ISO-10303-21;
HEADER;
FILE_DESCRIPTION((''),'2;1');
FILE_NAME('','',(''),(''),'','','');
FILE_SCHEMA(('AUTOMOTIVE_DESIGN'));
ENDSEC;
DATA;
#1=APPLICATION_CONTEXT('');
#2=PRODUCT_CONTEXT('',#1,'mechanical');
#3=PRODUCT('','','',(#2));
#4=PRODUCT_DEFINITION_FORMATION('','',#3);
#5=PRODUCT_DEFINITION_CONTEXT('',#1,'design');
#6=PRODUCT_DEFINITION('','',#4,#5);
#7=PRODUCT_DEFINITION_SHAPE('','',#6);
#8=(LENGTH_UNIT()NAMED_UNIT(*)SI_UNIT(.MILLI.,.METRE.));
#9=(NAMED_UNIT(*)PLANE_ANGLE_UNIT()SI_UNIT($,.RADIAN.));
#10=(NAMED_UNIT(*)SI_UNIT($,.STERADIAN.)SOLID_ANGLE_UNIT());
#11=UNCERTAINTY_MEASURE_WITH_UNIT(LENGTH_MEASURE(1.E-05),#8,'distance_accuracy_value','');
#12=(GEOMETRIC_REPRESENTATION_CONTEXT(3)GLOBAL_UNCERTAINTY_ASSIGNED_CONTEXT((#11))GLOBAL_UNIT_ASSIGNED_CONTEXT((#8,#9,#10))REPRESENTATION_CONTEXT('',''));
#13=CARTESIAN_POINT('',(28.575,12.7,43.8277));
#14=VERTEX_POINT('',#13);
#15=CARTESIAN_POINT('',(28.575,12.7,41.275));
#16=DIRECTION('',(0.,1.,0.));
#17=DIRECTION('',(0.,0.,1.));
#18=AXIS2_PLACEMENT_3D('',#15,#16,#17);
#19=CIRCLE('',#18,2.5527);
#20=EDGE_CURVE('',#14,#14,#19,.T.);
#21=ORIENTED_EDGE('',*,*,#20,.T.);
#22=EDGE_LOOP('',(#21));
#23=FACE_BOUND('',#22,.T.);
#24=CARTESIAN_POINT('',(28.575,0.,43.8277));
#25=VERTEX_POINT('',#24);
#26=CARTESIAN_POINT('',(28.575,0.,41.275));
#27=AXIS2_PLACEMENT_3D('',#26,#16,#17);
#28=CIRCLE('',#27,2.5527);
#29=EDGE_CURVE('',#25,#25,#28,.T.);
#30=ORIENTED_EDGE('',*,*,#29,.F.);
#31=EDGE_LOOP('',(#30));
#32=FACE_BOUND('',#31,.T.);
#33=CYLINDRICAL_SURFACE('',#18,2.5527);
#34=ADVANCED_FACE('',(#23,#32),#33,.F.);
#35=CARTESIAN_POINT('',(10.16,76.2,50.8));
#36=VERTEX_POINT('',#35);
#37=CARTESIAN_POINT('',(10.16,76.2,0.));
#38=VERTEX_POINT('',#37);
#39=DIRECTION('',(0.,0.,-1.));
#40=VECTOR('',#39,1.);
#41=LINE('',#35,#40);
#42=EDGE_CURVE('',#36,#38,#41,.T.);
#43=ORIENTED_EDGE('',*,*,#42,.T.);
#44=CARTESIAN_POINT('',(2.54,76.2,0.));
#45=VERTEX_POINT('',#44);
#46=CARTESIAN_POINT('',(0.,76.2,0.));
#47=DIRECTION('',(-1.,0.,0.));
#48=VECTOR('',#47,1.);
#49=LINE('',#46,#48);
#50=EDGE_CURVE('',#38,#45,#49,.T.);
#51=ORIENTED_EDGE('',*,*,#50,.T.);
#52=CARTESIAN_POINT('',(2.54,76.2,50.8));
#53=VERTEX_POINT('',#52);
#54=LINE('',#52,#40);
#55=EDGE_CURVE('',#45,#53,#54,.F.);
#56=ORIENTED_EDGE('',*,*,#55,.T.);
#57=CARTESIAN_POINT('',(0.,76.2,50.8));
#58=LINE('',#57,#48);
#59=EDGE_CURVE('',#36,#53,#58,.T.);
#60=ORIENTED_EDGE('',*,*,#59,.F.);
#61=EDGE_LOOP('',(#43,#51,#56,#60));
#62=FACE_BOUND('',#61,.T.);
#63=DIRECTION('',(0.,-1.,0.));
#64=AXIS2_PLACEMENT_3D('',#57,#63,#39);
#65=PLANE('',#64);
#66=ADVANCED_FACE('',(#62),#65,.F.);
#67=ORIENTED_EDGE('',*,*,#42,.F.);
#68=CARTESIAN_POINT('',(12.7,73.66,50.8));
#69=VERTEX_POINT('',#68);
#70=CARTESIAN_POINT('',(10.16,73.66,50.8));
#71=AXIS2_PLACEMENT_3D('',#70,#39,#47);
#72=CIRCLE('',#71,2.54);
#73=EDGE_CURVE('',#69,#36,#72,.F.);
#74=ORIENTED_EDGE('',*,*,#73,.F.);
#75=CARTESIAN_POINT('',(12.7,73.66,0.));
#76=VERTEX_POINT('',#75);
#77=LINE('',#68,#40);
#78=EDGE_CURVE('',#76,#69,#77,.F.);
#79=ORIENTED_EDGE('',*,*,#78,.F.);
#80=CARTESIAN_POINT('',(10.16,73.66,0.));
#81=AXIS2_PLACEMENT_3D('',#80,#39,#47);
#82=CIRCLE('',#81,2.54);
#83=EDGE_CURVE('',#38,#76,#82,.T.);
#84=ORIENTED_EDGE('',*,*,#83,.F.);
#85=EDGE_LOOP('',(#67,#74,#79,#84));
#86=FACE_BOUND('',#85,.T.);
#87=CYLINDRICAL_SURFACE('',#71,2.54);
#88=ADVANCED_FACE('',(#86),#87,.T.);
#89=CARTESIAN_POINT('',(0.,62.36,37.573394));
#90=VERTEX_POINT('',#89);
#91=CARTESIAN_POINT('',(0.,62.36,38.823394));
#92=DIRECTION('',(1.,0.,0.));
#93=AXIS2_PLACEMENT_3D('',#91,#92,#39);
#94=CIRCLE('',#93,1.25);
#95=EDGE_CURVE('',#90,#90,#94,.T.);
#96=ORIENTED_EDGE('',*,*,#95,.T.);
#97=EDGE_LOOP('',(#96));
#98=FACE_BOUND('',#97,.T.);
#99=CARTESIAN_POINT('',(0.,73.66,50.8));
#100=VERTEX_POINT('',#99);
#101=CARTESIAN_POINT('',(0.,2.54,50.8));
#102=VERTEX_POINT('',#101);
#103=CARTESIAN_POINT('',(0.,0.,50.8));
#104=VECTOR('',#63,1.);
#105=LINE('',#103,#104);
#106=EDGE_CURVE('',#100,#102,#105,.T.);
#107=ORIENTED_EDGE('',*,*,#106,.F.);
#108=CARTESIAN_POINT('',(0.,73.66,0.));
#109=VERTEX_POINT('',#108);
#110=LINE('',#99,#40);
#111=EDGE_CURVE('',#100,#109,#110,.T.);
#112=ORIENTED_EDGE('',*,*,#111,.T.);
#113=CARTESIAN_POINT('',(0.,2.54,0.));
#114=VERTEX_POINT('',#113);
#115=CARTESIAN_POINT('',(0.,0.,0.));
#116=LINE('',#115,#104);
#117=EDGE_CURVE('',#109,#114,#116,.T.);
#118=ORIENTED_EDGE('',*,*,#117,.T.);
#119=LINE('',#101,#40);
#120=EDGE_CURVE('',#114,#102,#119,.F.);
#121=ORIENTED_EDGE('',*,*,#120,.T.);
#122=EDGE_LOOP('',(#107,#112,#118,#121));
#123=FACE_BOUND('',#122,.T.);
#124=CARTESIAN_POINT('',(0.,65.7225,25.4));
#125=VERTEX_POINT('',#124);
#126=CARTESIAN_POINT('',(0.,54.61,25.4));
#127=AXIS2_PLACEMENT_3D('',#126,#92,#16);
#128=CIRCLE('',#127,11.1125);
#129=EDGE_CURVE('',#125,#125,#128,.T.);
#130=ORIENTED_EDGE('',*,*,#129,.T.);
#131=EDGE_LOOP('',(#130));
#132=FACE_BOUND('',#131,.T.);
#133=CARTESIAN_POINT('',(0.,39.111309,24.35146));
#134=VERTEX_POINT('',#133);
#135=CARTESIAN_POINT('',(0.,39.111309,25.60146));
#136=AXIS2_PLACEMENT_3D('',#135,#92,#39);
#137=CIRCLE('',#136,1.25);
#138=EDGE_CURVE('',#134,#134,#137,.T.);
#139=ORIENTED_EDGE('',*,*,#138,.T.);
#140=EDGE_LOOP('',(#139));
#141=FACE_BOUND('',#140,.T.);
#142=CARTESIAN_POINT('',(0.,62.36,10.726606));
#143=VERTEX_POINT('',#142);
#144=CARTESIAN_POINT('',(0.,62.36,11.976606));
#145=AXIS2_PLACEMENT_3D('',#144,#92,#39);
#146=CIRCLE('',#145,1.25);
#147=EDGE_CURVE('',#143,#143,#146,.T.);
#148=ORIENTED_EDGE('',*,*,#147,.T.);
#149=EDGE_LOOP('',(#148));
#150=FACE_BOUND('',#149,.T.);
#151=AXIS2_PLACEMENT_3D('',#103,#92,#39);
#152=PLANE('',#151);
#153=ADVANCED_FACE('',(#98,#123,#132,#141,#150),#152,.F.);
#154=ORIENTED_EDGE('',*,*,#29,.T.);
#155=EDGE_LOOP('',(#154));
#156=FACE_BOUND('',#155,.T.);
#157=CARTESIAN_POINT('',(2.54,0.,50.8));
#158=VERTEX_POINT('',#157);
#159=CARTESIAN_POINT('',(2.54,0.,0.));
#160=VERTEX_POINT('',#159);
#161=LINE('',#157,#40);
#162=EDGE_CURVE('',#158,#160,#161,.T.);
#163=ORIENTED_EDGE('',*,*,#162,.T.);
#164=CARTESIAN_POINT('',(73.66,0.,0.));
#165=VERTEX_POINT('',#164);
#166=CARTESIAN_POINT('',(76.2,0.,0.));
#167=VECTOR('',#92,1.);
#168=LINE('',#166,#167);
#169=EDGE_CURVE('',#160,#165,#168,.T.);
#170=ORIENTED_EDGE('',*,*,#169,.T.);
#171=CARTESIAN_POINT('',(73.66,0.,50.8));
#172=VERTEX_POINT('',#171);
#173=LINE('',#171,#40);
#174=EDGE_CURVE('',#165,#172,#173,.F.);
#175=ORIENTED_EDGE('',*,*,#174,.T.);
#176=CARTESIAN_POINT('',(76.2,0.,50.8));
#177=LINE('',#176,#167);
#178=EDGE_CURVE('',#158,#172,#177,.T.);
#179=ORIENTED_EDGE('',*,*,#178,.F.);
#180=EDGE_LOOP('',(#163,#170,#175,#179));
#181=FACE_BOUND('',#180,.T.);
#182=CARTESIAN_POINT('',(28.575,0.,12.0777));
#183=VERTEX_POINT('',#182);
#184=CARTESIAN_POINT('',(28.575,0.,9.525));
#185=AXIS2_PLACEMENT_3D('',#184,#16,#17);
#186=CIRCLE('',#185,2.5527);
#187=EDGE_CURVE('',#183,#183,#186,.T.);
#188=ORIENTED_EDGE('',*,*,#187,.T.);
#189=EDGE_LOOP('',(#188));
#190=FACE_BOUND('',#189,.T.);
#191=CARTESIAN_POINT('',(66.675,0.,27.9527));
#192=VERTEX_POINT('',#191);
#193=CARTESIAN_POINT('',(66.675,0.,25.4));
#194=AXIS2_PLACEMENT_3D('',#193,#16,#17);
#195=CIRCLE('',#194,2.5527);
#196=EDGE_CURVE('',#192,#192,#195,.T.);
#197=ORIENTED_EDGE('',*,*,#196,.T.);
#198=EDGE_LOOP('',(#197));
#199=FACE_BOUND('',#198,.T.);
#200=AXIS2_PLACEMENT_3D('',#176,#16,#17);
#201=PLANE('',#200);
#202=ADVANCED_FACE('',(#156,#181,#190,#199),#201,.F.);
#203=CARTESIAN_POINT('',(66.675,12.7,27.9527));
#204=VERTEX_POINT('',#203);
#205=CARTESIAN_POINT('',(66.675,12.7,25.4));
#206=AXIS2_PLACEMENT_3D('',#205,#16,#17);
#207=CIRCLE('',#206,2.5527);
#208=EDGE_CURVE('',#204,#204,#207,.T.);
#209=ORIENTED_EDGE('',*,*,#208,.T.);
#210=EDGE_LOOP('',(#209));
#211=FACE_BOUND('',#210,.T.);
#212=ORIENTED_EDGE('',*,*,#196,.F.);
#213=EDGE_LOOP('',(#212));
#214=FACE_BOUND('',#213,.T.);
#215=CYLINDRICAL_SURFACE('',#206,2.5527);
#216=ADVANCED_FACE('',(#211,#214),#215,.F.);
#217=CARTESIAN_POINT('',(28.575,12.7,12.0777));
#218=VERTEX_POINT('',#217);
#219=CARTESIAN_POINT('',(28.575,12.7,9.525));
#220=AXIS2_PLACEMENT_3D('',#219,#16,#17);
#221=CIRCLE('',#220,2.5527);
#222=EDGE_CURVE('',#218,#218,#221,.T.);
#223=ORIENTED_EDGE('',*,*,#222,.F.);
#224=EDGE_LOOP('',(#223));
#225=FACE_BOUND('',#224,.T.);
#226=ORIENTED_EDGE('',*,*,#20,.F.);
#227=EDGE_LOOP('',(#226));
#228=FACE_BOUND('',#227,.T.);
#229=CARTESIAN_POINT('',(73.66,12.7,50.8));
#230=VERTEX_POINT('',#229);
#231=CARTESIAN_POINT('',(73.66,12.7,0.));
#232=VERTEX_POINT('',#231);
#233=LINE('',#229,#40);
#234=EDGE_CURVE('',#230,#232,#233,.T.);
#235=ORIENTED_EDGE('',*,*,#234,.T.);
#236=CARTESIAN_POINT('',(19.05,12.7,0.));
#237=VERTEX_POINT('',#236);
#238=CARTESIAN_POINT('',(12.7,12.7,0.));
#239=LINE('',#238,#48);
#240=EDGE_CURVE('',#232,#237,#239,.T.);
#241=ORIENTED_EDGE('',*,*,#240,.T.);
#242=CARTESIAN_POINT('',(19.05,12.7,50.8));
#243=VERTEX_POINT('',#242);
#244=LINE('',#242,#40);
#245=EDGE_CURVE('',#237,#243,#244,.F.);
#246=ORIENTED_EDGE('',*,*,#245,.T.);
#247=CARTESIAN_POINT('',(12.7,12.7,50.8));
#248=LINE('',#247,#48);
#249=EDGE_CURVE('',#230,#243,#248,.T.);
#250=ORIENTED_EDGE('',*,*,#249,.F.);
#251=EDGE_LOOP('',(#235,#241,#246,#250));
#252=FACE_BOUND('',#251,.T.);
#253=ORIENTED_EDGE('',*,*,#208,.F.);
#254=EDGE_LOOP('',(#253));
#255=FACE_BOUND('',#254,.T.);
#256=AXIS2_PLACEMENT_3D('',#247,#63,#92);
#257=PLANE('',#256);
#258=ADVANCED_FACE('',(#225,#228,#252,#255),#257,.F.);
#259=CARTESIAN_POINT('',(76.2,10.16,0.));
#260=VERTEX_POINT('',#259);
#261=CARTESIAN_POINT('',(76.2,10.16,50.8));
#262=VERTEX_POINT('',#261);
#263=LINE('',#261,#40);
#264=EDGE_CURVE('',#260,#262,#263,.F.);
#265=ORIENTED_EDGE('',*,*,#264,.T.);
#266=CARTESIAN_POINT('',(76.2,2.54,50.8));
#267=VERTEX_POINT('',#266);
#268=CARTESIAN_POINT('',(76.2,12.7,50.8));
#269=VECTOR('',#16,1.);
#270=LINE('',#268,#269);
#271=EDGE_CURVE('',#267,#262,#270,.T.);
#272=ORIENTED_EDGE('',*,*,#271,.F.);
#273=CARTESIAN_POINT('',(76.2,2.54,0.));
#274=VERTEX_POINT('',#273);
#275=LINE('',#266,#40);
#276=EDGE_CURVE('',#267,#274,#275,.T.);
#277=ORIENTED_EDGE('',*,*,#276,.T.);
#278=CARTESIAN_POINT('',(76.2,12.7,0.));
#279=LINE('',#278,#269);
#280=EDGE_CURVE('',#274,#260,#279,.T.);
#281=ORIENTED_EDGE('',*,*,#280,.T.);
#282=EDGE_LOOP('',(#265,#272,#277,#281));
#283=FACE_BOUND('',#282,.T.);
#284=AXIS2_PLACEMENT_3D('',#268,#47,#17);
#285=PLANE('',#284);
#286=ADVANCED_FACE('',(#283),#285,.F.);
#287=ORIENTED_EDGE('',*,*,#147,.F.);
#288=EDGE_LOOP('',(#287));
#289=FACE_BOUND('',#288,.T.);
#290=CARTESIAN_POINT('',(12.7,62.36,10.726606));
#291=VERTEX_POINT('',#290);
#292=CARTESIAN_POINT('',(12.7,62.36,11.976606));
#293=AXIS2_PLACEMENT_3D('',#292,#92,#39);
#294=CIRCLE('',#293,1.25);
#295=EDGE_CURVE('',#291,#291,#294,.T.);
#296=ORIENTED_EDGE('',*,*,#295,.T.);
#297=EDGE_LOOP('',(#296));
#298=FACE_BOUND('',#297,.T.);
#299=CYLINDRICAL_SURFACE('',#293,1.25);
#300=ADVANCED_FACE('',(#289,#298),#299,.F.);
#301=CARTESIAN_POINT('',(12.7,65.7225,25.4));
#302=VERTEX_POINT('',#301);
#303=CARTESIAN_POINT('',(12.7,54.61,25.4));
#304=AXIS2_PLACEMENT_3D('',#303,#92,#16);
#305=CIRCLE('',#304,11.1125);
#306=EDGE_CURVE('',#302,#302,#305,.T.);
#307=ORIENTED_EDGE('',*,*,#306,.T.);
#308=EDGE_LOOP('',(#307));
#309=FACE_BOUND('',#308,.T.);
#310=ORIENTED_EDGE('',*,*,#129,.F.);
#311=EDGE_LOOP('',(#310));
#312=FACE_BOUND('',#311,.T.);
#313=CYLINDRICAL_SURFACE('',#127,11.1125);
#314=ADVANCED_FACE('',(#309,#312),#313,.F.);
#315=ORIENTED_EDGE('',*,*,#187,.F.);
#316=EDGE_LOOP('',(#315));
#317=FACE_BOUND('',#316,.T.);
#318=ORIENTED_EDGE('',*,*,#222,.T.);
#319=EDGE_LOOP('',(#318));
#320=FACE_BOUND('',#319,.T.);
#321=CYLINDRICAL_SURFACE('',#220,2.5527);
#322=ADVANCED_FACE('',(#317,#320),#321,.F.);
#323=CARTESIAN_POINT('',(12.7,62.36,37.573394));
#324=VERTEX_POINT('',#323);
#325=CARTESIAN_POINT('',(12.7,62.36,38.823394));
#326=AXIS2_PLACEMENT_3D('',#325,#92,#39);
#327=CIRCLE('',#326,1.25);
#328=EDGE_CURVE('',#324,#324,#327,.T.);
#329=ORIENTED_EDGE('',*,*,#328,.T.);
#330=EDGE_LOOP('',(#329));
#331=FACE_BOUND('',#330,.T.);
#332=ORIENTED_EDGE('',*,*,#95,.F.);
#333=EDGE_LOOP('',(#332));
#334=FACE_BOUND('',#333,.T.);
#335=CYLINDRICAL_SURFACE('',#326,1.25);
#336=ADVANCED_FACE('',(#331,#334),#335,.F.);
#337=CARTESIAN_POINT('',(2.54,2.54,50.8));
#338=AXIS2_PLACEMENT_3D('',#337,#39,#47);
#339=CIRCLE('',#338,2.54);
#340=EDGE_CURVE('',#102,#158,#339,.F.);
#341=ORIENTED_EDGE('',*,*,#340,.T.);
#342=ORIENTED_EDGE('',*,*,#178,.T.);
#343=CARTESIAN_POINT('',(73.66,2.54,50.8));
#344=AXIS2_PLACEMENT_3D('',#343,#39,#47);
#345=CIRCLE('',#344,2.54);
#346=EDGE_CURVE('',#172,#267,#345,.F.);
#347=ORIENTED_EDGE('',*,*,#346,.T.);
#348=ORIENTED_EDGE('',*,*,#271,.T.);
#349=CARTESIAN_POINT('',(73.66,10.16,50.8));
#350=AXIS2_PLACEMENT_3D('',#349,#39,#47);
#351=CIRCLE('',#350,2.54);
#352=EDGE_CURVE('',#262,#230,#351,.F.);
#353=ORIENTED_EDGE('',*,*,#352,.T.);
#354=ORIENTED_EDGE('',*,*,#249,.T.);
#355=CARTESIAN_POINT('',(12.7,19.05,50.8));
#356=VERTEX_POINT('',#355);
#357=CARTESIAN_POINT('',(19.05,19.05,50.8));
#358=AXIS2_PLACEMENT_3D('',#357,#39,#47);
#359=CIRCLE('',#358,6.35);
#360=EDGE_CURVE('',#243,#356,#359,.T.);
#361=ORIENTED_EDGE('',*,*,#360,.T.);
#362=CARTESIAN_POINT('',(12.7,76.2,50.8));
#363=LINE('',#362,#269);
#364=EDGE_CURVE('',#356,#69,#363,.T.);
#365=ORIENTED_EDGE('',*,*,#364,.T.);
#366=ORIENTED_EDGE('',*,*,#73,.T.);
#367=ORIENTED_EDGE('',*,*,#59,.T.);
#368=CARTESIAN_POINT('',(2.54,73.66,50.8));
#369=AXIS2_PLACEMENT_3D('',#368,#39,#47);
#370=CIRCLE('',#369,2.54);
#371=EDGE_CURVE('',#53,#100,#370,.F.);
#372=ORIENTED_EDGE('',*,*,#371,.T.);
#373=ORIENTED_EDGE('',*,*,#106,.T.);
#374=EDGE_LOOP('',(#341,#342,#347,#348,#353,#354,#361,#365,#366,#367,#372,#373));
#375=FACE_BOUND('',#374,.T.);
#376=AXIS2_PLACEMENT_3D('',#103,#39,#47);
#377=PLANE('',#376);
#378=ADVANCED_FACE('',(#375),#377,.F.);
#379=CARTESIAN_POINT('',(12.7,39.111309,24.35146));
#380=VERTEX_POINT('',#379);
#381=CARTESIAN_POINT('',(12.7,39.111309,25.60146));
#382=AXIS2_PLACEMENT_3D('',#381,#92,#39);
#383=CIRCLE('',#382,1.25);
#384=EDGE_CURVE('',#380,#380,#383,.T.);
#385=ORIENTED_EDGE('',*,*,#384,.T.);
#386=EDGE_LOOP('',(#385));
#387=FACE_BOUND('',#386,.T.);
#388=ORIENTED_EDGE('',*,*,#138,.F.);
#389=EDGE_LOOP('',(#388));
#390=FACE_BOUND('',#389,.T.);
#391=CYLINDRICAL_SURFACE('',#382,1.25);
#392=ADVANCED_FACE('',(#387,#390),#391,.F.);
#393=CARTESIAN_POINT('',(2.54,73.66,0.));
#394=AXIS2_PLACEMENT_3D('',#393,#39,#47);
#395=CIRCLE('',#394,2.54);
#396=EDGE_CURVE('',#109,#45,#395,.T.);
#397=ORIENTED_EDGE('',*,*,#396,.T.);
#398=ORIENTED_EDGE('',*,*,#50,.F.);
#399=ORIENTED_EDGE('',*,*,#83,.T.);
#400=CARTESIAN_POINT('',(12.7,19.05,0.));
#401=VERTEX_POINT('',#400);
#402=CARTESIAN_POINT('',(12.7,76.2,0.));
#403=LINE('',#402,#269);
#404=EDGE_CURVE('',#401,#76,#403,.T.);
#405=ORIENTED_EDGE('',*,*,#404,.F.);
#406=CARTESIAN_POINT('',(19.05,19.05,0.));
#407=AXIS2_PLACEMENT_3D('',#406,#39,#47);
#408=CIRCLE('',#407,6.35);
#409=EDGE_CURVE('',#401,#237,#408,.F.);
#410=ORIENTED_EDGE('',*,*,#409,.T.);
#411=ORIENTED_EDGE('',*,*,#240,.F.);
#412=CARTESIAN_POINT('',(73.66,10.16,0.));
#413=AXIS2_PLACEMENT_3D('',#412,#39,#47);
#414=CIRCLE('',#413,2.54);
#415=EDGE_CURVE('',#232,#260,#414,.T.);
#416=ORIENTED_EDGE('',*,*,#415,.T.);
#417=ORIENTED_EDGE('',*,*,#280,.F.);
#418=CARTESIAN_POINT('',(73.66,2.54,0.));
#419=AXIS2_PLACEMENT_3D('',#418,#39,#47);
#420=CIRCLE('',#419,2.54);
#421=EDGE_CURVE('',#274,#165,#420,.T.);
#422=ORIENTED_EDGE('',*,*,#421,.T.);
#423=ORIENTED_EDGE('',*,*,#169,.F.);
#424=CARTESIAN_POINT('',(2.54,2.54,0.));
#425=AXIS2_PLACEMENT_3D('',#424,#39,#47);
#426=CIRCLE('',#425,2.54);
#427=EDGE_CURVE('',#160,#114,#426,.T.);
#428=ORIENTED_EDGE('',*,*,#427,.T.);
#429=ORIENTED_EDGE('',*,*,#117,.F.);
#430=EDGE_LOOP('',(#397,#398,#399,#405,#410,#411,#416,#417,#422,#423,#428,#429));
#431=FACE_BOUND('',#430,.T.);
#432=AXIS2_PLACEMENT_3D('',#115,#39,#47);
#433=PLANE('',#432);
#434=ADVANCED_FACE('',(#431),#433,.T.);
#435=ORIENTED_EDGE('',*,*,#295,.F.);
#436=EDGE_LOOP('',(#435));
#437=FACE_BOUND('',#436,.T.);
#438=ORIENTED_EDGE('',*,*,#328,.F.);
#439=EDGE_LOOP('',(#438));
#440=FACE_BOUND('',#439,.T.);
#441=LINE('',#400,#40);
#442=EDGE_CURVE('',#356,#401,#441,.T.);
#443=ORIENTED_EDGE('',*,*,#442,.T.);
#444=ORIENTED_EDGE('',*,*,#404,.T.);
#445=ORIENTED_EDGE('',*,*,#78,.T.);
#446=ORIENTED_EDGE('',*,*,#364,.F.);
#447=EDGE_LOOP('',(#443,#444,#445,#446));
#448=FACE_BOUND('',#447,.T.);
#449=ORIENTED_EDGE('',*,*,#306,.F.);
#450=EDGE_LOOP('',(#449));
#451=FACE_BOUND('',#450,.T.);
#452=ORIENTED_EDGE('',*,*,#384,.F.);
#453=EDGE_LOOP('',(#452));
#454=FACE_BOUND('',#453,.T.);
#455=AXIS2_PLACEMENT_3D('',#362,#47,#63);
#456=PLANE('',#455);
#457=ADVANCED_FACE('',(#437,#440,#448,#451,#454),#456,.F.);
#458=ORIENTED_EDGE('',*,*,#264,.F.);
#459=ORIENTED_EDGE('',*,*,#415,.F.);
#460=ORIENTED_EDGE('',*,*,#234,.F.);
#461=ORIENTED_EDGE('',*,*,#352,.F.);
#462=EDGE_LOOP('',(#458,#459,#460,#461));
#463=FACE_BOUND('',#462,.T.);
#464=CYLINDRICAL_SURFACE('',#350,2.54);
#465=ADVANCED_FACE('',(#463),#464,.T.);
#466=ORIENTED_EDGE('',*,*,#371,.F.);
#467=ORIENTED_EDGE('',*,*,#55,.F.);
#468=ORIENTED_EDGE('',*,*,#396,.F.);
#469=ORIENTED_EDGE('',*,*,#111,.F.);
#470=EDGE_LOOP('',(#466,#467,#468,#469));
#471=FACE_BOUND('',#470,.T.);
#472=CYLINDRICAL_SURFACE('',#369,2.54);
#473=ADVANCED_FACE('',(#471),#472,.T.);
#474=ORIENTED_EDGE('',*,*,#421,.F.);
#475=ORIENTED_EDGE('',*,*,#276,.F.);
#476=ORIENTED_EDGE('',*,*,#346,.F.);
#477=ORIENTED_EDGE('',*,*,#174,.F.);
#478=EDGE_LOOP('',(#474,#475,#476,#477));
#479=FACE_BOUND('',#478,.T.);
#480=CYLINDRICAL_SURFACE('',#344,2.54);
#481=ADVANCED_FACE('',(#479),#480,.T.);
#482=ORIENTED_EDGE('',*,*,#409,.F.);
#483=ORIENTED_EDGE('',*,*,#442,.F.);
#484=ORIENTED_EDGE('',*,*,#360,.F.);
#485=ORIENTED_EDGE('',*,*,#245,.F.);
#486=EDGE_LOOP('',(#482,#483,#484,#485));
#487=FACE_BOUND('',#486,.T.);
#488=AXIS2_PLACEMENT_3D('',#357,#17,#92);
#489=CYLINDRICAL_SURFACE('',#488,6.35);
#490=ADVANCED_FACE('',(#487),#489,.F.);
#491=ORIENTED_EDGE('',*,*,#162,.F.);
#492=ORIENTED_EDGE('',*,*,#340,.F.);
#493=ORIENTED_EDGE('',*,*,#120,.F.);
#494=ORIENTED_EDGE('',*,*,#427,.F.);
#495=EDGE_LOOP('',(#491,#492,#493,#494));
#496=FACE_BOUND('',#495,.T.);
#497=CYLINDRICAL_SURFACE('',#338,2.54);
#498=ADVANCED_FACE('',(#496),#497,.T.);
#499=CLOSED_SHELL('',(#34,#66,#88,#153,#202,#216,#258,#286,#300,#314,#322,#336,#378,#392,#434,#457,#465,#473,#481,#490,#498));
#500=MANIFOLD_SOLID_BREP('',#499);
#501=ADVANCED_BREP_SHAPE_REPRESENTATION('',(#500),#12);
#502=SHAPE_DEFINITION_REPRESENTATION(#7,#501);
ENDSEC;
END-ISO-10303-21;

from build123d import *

# Parameters (mm, degrees)
BOSS_EXTRUDE1_DEPTH     = 50.8
FILLET1_R               = 2.54
FILLET2_R               = 6.35
SKETCH2_R               = 11.1125
CUT_EXTRUDE1_DEPTH      = 112.44204772
M3X0_5_TAPPED_HOLE1_D   = 2.5
F_1_4_20_TAPPED_HOLE1_D = 5.1054


with BuildPart() as part:
    # Sketch1 → Boss-Extrude1 (new body)
    with BuildSketch(Plane.XY):
        Polygon((0, 0), (0, 76.2), (12.7, 76.2), (12.7, 12.7), (76.2, 12.7), (76.2, 0), align=None)
    extrude(amount=BOSS_EXTRUDE1_DEPTH)

    # Fillet1
    fillet1_edges = [part.edges().sort_by_distance(p)[0] for p in [
        (0, 0, 25.4),
        (0, 76.2, 25.4),
        (12.7, 76.2, 25.4),
        (76.2, 12.7, 25.4),
        (76.2, 0, 25.4),
    ]]
    fillet(fillet1_edges, radius=FILLET1_R)

    # Fillet2
    fillet2_edges = [part.edges().sort_by_distance(p)[0] for p in [
        (12.7, 12.7, 25.4),
    ]]
    fillet(fillet2_edges, radius=FILLET2_R)

    # Sketch2 → Cut-Extrude1 (cut, through all)
    with BuildSketch(Plane(origin=(12.7, 0, 0), x_dir=(0, 0, -1), z_dir=(1, 0, 0))):
        with Locations(Location((-25.4, 54.61, 0), (0, 0, 90))):
            Circle(SKETCH2_R)
    extrude(amount=-CUT_EXTRUDE1_DEPTH, mode=Mode.SUBTRACT)

    # M3x0.5 Tapped Hole1 (through all)
    with Locations(Plane(origin=(12.7, 0, 0), x_dir=(0, 0, -1), z_dir=(1, 0, 0))):
        with Locations((-38.823393759, 62.36), (-11.976606241, 62.36), (-25.601459668, 39.111309281)):
            Hole(M3X0_5_TAPPED_HOLE1_D / 2)

    # 1/4-20 Tapped Hole1 (through all)
    with Locations(Plane(origin=(0, 12.7, 0), x_dir=(1, 0, 0), z_dir=(0, 1, 0))):
        with Locations((28.575, -9.525), (28.575, -41.275), (66.675, -25.4)):
            Hole(F_1_4_20_TAPPED_HOLE1_D / 2)


solid = part.part
